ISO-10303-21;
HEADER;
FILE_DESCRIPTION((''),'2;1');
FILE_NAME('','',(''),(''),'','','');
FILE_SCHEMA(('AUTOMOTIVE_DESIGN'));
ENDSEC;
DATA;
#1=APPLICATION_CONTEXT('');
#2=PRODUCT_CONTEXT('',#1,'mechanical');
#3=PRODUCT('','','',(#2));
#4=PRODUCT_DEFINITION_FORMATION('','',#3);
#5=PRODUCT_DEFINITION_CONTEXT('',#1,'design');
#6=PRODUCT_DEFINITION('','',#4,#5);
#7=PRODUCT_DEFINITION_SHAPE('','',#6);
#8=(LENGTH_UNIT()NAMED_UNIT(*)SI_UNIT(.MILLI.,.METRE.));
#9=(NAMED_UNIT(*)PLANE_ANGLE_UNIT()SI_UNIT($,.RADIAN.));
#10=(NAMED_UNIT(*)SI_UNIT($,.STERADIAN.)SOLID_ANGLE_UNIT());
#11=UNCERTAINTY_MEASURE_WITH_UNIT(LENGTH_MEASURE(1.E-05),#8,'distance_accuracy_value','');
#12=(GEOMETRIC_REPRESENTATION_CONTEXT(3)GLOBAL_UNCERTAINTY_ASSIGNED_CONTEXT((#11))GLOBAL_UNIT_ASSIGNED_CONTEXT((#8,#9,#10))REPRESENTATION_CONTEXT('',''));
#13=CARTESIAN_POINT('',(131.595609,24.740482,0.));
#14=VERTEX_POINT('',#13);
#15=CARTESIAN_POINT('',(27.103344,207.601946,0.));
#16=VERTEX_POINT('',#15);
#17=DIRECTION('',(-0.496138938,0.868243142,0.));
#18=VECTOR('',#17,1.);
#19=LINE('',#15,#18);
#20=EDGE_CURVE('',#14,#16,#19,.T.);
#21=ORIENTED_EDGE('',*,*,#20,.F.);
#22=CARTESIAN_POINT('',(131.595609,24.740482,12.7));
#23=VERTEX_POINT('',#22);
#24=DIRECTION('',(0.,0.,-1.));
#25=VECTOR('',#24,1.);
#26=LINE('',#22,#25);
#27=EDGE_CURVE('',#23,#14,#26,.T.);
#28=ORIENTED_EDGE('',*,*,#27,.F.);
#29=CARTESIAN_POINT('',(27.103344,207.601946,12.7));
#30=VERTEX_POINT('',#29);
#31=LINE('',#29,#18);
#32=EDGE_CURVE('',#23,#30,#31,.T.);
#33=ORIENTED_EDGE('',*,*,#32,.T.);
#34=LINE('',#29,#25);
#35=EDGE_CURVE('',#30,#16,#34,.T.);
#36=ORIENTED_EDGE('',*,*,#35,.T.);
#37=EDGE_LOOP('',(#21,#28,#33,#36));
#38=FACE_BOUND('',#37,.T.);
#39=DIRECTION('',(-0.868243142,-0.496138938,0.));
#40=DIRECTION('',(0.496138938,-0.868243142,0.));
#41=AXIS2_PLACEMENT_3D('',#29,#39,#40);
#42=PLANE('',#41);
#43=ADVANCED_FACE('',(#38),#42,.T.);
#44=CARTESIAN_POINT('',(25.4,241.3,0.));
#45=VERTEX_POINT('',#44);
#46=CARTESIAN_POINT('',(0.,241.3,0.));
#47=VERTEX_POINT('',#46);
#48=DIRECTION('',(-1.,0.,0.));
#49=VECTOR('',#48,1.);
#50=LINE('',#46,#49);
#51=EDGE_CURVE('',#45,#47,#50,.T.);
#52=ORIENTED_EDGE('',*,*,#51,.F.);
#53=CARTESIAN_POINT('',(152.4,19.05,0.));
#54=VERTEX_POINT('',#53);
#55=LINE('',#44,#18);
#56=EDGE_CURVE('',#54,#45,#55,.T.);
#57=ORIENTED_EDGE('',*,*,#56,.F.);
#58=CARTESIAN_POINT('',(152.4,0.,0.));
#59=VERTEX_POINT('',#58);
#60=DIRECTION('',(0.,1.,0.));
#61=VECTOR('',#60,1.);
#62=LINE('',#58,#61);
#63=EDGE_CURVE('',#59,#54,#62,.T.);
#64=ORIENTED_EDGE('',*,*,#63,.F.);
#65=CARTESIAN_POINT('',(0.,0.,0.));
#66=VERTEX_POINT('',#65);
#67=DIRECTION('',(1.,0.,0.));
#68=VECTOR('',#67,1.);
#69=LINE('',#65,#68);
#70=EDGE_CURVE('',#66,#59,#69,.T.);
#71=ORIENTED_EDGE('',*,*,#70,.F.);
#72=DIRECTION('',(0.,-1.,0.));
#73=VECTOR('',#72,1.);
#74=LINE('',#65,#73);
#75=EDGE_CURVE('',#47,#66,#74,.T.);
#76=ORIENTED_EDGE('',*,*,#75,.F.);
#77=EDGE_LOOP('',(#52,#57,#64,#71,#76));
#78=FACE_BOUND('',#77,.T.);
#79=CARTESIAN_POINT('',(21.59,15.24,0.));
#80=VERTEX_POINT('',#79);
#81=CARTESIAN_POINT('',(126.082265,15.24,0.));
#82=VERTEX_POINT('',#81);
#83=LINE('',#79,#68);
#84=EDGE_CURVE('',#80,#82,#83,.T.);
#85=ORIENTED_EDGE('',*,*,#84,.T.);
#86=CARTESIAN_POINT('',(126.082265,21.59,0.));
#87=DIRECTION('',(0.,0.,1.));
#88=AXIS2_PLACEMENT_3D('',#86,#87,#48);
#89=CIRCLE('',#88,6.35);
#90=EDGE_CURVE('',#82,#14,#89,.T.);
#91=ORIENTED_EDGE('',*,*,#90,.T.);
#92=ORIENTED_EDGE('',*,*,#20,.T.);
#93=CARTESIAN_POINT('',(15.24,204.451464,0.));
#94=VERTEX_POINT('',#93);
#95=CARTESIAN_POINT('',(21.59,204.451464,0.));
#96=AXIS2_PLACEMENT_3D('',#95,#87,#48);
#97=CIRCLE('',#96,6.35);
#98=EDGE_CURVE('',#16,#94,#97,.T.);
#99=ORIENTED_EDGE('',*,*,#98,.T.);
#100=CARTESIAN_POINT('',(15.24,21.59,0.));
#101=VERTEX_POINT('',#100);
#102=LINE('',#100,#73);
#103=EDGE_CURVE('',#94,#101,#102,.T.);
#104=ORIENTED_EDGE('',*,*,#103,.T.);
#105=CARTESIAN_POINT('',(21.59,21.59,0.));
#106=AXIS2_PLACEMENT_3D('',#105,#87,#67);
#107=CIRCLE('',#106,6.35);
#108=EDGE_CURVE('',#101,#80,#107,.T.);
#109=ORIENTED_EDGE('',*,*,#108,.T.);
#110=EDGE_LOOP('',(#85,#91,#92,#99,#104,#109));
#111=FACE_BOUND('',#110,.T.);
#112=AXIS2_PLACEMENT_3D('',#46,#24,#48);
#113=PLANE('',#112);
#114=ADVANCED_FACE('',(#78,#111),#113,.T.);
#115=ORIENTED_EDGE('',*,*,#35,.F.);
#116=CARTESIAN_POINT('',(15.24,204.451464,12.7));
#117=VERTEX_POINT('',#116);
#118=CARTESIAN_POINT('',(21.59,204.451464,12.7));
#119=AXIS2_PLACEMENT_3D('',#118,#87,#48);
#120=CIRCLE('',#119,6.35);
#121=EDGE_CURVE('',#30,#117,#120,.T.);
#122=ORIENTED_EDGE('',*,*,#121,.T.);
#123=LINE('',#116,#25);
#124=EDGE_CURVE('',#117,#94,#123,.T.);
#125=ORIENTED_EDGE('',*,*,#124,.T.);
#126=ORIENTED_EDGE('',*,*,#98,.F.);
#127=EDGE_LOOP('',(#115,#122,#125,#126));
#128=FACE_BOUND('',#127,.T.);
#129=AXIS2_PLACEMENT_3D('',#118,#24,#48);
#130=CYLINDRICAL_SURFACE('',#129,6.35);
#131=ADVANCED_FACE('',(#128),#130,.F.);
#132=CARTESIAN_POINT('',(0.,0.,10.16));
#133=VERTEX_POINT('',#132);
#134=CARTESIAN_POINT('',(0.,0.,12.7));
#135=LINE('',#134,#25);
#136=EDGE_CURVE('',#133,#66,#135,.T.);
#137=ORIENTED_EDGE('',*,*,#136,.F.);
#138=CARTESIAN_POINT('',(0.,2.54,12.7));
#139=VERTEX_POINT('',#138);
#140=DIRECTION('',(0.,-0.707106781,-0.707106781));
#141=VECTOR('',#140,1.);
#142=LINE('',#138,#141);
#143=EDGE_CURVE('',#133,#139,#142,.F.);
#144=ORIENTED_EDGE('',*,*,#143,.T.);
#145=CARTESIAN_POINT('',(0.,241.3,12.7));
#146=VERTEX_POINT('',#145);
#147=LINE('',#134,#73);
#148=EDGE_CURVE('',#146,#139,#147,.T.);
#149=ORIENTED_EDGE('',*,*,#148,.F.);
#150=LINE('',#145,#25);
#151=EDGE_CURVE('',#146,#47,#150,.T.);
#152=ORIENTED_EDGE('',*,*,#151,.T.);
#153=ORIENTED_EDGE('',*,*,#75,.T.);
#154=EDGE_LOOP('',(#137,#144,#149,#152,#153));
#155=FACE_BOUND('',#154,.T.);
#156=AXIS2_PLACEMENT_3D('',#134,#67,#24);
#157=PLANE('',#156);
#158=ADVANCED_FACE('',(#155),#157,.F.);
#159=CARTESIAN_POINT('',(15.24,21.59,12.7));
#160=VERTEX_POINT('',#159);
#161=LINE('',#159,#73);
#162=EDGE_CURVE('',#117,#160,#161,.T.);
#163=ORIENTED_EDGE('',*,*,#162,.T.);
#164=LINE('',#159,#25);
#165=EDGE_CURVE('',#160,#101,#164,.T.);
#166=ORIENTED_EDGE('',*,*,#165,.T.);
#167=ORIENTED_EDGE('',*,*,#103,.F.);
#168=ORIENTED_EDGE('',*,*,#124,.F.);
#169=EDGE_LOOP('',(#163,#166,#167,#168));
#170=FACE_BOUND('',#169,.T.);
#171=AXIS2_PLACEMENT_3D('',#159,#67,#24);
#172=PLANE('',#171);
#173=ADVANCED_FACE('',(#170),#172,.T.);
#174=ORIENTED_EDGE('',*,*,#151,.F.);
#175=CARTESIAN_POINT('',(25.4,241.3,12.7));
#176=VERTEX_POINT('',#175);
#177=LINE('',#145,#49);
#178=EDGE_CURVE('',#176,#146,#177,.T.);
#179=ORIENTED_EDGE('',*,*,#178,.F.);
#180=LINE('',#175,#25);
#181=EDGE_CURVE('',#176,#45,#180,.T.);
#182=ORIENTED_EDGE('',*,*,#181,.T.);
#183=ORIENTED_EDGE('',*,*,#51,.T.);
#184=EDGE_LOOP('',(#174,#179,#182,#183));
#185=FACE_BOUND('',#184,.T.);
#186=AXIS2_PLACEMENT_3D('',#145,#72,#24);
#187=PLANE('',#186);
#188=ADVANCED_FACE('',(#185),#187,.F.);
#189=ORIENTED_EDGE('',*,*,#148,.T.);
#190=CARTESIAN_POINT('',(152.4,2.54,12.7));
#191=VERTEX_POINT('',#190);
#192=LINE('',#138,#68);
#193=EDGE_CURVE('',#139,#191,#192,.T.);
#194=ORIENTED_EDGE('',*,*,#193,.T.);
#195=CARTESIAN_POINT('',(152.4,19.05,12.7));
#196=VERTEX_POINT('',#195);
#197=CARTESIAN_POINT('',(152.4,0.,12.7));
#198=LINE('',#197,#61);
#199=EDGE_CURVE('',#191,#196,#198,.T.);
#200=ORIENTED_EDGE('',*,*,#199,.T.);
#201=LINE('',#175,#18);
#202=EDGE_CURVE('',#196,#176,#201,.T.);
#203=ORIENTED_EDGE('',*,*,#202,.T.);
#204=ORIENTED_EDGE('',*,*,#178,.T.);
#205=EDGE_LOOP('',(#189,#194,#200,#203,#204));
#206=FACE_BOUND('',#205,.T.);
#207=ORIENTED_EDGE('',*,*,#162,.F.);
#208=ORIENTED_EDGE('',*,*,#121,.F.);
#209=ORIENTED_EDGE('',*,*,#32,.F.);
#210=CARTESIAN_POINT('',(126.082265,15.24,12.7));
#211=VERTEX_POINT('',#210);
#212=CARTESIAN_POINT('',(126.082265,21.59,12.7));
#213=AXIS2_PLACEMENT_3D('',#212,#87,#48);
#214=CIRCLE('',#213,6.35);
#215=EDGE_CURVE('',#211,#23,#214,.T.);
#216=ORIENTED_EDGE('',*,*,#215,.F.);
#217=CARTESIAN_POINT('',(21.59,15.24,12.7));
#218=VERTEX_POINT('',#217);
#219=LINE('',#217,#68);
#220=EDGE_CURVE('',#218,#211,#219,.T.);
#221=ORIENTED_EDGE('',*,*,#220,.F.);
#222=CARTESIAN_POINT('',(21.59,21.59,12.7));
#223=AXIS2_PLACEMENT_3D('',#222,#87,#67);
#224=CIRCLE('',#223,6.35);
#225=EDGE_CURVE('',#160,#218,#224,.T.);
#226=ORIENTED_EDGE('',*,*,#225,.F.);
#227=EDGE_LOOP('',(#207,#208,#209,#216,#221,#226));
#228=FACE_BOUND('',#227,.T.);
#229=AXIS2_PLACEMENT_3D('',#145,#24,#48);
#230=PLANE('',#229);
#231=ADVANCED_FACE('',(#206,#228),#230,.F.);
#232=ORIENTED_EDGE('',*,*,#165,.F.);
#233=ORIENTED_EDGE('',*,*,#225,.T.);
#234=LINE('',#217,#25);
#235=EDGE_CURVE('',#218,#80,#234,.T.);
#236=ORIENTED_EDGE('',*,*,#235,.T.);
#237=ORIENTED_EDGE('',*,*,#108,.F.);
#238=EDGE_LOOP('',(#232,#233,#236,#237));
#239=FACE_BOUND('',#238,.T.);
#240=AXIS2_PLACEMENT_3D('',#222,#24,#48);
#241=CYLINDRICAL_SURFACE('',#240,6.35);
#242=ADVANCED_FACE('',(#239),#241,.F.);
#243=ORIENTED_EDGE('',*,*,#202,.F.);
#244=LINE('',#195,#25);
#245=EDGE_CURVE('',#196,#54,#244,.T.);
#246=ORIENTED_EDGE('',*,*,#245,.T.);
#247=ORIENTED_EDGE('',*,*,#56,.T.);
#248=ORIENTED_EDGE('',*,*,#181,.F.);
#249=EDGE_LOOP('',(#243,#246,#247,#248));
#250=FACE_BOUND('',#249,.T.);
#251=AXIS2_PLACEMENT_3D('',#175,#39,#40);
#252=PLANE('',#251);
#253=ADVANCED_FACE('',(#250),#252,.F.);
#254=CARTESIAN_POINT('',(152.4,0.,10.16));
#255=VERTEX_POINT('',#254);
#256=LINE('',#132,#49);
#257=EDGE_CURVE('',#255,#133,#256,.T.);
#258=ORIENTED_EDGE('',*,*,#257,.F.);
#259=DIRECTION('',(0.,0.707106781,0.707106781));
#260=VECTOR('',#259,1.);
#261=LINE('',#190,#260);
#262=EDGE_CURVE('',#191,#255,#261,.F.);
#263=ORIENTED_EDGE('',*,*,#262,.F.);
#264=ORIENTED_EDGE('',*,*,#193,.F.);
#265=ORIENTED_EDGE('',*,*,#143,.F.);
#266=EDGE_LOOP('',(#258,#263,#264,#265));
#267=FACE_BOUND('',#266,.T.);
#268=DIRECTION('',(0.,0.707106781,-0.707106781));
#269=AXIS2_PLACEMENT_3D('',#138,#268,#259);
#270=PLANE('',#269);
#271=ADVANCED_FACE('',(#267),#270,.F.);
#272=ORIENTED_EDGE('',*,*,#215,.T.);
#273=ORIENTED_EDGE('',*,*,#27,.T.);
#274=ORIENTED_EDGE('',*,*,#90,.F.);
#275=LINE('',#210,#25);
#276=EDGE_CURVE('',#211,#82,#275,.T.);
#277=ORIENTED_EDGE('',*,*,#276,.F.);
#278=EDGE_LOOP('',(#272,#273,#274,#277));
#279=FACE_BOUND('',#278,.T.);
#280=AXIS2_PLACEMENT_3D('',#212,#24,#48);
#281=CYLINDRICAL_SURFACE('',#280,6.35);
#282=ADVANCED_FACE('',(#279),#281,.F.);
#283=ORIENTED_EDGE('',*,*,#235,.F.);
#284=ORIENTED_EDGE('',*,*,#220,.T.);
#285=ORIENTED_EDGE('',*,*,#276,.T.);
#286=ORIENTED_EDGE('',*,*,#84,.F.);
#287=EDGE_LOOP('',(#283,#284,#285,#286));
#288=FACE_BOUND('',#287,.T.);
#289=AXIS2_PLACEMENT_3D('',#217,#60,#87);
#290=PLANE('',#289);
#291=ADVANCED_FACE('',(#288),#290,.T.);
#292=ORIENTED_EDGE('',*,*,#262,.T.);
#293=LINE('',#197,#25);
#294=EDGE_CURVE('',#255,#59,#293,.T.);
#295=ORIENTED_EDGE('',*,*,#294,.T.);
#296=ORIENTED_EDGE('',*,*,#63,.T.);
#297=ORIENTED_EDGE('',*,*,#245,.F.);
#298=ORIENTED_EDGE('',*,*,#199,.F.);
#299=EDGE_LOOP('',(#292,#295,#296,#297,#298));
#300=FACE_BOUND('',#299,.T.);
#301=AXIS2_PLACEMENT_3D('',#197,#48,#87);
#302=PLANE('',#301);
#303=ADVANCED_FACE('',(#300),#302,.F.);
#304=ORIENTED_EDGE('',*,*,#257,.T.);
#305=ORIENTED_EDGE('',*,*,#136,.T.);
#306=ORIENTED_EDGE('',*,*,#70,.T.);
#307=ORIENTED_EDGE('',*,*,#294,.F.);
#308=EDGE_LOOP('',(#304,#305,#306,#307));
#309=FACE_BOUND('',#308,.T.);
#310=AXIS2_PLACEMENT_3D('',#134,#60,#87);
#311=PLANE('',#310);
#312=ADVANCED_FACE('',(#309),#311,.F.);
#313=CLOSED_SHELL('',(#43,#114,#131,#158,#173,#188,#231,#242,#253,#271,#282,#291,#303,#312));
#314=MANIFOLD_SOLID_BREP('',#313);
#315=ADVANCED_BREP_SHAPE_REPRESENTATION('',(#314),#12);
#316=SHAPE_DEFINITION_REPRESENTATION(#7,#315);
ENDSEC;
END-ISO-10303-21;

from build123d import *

# Parameters (mm, degrees)
BASE_EXTRUDE_DEPTH = 12.7
CHAMFER2_SIZE      = 2.54


with BuildPart() as part:
    # Sketch1 → Base-Extrude (new body)
    with BuildSketch(Plane.XY):
        Polygon((0, 0), (152.4, 0), (152.4, 19.05), (25.4, 241.3), (0, 241.3), align=None)
        with BuildLine():
            Line((15.24, 21.59), (15.24, 204.451463804))
            ThreePointArc((15.24, 204.451463804), (19.960158612, 210.588736573), (27.103343952, 207.601946062))
            Line((27.103343952, 207.601946062), (131.595608983, 24.740482259))
            ThreePointArc((131.595608983, 24.740482259), (131.574444122, 18.402764704), (126.082265031, 15.24))
            Line((126.082265031, 15.24), (21.59, 15.24))
            ThreePointArc((21.59, 15.24), (17.099871939, 17.099871939), (15.24, 21.59))
        make_face(mode=Mode.SUBTRACT)
    extrude(amount=BASE_EXTRUDE_DEPTH)

    # Chamfer2
    chamfer2_edges = [part.edges().sort_by_distance(p)[0] for p in [
        (76.2, 0, 12.7),
    ]]
    chamfer(chamfer2_edges, length=CHAMFER2_SIZE)


solid = part.part
